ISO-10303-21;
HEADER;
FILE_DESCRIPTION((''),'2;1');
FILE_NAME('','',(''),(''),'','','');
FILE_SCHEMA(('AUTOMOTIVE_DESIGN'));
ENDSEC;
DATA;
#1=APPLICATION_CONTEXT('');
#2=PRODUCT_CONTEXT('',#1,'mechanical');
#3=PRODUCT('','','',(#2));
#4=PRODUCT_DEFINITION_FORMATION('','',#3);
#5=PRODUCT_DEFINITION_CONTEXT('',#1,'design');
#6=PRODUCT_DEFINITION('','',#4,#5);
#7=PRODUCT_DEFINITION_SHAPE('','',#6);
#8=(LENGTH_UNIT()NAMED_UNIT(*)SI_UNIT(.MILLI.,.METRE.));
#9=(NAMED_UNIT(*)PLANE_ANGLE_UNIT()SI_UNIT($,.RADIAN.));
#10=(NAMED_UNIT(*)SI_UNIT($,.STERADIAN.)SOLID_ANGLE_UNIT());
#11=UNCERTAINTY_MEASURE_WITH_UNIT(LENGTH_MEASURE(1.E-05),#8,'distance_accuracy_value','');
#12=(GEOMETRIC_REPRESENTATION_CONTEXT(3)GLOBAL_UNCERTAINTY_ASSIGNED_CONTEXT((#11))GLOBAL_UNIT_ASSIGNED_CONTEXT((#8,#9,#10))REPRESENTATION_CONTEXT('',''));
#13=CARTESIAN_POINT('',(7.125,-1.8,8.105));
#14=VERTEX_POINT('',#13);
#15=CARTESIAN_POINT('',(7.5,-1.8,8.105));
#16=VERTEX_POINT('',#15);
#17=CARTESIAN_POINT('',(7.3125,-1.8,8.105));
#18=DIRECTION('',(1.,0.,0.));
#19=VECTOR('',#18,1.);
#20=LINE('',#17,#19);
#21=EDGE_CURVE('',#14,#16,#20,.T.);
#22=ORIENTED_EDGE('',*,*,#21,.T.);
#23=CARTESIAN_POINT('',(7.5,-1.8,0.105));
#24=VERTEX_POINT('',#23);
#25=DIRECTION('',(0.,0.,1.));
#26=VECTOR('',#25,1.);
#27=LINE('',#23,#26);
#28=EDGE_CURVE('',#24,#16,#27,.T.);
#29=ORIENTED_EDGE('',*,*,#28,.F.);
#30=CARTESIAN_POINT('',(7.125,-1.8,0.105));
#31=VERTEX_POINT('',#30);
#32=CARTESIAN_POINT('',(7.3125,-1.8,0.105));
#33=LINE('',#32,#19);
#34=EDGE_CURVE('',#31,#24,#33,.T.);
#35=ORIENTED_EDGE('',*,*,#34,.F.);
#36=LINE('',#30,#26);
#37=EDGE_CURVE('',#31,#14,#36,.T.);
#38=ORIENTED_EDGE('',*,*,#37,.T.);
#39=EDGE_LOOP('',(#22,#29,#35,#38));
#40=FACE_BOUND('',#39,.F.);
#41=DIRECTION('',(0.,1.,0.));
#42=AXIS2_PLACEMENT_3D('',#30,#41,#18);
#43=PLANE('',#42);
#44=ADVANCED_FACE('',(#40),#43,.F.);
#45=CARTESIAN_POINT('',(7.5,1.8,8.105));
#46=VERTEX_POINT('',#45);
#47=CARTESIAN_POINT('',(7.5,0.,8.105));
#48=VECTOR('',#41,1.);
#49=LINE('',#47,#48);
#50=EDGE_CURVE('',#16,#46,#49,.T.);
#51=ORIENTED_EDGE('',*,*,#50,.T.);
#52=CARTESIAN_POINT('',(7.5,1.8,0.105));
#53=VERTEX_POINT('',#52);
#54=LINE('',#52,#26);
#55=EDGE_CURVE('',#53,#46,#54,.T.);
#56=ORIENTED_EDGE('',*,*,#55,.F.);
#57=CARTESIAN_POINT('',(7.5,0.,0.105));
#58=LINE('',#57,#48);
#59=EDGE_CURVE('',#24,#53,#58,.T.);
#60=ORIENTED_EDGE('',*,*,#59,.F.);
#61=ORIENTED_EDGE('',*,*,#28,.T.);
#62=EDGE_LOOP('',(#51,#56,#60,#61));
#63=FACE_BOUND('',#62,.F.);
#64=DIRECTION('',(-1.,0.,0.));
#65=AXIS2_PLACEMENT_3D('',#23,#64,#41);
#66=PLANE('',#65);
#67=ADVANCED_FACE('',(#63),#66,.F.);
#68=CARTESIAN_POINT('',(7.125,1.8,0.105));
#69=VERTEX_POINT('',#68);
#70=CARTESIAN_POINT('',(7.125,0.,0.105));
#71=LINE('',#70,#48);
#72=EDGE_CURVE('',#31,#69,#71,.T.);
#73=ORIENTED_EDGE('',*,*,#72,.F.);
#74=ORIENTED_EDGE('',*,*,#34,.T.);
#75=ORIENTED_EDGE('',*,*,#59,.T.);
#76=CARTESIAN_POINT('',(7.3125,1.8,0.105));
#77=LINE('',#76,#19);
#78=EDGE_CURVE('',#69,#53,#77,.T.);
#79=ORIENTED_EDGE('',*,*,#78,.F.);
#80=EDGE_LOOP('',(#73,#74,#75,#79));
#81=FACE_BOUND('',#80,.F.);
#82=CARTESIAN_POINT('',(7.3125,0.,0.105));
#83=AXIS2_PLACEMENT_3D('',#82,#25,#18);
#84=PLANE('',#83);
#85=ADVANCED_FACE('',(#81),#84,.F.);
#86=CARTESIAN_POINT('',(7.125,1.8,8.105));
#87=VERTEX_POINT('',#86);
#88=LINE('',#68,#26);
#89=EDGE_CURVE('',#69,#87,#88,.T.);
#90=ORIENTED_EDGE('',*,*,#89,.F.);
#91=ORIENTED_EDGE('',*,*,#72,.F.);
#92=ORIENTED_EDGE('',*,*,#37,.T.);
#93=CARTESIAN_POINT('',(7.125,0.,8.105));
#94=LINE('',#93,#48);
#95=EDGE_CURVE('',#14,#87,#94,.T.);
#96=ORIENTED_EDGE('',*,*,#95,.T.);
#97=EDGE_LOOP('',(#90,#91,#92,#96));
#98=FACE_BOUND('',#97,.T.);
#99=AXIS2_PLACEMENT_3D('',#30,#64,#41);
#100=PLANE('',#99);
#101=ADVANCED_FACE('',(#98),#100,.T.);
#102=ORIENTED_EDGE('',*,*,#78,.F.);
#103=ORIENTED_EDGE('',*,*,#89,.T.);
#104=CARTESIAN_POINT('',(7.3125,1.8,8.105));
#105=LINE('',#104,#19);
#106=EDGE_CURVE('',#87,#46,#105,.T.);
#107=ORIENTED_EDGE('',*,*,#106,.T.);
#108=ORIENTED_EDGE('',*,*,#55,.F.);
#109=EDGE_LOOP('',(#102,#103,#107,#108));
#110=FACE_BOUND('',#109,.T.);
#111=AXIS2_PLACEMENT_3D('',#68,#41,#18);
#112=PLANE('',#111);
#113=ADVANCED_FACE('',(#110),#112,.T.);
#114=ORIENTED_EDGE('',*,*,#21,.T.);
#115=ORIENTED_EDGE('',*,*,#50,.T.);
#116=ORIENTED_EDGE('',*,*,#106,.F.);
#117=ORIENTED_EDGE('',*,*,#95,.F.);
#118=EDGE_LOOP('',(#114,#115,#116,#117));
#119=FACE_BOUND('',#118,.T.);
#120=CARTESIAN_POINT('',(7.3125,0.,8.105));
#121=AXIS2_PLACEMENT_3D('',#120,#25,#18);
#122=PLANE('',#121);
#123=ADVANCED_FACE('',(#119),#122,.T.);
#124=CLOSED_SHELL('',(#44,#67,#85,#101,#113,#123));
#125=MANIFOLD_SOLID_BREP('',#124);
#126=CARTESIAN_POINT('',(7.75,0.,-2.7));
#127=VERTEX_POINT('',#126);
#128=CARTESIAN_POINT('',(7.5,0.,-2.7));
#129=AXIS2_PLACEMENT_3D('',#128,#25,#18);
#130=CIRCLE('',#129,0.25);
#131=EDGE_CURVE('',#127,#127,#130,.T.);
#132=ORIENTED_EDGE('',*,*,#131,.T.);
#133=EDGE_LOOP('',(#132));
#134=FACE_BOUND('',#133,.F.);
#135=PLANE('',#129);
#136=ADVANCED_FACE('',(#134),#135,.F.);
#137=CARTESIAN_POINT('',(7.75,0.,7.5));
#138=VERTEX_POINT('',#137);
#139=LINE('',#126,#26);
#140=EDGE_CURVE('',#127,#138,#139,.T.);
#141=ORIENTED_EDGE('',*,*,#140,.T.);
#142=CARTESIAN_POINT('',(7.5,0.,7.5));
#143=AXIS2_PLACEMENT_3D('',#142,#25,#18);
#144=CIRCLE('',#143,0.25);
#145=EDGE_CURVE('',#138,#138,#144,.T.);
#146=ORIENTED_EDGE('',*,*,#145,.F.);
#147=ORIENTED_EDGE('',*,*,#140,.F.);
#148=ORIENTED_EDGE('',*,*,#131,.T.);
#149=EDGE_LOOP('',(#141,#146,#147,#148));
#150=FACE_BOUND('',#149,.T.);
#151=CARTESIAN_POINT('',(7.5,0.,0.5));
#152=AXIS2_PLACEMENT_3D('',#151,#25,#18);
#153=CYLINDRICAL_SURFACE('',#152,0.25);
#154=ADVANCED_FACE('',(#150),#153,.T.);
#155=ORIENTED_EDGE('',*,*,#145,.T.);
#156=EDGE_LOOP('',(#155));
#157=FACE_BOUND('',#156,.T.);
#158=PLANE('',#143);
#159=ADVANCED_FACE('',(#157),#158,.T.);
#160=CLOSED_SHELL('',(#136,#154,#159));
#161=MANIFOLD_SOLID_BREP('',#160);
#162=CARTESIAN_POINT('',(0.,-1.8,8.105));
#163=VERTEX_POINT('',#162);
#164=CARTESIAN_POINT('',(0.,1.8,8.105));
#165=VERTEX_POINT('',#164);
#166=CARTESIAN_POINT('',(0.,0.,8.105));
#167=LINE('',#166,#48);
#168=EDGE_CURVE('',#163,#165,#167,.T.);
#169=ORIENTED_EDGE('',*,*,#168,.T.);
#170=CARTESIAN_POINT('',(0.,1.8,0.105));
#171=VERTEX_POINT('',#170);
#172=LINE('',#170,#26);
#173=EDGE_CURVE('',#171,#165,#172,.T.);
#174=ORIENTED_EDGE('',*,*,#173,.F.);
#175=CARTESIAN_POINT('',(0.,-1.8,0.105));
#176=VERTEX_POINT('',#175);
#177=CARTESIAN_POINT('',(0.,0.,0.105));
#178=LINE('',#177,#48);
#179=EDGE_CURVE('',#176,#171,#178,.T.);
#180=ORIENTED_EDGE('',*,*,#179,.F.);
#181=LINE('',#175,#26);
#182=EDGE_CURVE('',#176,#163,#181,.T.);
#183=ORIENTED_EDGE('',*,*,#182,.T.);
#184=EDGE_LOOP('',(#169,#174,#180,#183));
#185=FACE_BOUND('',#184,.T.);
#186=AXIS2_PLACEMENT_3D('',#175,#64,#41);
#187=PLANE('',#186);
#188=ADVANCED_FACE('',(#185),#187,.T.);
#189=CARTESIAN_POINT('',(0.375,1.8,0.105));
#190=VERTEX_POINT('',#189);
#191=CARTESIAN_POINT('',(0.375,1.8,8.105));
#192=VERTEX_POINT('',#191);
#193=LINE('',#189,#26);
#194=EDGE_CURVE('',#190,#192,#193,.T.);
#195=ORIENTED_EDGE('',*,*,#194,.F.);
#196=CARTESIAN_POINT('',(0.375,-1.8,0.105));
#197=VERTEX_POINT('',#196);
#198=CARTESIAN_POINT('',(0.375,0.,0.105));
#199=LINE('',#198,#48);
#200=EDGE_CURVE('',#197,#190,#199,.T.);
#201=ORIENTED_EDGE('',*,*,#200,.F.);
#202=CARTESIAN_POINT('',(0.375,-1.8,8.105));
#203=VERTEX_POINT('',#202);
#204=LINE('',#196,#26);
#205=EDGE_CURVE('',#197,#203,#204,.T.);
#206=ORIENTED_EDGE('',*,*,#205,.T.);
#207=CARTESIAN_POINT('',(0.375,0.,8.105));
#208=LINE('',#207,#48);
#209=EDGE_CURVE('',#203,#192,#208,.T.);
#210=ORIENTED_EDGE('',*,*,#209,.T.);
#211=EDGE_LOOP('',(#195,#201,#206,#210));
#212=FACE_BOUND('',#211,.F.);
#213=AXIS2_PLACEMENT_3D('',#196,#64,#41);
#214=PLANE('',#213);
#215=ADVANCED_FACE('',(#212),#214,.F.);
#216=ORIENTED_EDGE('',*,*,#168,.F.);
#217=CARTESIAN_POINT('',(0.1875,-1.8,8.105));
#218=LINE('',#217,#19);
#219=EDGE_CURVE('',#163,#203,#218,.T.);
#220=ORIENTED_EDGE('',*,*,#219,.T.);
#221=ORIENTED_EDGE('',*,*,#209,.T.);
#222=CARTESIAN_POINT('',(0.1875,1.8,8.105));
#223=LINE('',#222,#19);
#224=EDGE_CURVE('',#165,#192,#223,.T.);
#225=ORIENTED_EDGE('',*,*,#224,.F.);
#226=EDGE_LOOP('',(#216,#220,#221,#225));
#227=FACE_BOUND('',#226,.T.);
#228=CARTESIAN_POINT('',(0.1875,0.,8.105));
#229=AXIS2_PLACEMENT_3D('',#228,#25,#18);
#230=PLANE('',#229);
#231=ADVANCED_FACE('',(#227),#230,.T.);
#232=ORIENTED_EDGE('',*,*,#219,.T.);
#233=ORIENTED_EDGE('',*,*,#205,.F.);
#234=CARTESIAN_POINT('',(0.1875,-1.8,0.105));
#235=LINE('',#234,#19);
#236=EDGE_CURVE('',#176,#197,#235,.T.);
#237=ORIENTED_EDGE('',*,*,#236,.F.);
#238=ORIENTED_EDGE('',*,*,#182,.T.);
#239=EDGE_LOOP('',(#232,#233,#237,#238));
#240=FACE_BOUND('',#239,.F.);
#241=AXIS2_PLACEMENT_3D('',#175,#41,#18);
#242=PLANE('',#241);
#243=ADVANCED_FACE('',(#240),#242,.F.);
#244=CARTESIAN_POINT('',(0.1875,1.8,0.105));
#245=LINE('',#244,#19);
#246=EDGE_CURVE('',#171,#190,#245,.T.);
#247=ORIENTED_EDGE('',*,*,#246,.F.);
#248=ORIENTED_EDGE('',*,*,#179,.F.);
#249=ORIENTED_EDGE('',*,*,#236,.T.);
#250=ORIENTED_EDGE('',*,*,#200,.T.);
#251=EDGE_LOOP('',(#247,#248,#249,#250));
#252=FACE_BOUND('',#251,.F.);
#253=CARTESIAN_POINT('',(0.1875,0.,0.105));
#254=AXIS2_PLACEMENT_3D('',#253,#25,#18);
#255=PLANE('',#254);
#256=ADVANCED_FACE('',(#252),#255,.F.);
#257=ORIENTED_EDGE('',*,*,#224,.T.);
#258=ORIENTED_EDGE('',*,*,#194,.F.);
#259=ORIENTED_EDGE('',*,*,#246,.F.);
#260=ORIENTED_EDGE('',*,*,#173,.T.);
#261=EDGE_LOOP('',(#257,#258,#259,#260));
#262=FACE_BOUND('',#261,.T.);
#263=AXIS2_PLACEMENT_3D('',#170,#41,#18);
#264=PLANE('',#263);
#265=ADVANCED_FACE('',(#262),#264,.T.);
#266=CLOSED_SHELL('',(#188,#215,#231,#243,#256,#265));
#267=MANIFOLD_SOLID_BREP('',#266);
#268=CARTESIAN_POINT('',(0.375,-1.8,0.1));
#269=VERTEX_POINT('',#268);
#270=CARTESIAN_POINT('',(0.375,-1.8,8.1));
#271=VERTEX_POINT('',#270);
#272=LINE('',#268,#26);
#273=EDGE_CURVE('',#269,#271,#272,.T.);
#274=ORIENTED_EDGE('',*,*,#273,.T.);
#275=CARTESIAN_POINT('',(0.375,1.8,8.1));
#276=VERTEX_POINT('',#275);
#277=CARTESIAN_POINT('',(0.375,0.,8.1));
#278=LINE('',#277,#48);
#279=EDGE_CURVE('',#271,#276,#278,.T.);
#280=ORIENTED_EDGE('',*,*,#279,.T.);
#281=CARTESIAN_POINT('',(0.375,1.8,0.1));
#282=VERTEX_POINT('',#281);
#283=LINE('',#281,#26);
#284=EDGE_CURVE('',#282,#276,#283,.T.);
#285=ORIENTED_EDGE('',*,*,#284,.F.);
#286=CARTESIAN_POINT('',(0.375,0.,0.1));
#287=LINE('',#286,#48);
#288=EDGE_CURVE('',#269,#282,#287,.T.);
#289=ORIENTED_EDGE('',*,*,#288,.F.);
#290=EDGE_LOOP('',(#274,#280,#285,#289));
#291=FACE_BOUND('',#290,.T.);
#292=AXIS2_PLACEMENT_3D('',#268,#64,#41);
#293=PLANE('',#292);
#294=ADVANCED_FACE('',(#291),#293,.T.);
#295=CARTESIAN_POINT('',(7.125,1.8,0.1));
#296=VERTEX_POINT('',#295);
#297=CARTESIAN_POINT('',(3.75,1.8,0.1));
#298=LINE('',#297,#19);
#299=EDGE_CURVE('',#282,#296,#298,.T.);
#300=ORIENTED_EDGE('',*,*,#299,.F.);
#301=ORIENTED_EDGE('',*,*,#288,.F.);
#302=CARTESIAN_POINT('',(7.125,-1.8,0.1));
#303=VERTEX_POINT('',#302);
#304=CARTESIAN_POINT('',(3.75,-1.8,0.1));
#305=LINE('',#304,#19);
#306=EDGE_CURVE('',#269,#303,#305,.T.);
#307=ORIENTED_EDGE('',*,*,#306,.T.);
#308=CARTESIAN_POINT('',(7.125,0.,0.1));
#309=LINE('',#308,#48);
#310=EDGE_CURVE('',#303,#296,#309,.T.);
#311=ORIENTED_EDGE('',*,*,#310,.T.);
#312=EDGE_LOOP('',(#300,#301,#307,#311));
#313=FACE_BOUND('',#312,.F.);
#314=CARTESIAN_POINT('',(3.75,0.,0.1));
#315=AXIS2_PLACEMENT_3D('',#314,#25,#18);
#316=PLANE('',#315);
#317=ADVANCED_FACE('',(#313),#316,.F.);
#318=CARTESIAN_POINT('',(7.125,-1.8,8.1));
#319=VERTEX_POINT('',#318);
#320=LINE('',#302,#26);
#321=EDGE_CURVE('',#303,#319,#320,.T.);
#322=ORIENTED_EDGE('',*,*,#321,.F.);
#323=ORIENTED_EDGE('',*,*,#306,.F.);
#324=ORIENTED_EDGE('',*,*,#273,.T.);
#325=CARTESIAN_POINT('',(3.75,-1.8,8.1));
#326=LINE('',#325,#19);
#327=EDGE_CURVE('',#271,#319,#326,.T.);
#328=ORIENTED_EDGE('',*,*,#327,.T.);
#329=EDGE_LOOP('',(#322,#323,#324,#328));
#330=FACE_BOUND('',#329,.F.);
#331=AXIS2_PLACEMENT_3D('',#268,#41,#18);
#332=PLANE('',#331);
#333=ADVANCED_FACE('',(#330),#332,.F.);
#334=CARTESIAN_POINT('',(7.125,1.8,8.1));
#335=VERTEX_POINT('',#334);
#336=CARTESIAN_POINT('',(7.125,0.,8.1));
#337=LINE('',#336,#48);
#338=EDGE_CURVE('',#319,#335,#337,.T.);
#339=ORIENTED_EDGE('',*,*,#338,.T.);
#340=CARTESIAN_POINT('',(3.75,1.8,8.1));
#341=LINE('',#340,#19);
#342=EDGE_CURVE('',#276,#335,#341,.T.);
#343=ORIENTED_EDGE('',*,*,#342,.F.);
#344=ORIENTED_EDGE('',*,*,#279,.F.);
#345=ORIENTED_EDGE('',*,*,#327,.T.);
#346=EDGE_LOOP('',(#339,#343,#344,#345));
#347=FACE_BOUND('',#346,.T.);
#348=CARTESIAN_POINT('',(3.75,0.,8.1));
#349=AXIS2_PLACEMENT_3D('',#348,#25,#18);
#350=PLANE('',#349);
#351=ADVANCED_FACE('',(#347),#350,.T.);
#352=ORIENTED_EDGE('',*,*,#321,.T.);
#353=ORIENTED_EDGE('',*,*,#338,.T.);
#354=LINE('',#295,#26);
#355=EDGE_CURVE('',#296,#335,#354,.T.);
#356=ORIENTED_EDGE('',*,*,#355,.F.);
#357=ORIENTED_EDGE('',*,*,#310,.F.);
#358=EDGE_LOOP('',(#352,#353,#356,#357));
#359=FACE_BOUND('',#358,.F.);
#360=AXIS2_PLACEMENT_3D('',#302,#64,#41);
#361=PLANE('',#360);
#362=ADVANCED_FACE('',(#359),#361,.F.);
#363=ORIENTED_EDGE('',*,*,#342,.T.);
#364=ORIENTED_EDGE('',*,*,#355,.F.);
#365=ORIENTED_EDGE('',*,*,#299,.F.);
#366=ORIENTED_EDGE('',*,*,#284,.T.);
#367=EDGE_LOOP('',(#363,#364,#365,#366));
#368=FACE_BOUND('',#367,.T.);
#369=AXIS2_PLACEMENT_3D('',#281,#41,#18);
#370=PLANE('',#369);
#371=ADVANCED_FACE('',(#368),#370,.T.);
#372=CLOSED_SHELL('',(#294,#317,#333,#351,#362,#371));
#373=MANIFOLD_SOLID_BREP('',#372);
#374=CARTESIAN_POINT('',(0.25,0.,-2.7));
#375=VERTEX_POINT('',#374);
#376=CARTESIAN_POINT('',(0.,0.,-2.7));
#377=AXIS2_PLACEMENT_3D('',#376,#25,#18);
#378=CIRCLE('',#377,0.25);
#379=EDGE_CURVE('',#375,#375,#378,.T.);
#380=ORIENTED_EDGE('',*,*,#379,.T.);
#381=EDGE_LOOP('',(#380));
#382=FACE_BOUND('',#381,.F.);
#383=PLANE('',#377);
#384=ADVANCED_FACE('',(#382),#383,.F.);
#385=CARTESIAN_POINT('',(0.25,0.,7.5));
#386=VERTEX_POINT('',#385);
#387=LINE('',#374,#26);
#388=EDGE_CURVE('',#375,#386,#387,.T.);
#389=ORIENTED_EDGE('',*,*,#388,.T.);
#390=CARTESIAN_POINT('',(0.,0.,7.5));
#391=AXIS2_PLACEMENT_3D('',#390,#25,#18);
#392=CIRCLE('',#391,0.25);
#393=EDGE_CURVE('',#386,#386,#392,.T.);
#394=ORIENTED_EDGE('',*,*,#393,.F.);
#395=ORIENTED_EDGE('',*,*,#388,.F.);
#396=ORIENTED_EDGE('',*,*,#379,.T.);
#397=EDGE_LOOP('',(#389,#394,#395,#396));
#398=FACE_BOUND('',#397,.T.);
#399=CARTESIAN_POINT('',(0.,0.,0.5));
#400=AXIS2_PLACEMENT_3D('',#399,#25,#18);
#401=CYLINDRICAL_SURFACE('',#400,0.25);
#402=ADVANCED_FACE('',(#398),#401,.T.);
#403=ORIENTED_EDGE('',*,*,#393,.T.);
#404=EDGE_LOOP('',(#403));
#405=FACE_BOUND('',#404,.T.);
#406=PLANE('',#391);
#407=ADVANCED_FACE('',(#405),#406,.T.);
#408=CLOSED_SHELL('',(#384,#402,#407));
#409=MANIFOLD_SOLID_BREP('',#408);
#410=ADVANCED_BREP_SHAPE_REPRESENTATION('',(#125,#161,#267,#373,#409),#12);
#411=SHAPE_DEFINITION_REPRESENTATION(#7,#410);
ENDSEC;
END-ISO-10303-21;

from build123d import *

# Parameters (mm, degrees)
SKETCH_W          = 6.75
SKETCH_H          = 3.6
PAD_DEPTH         = 8
SKETCH001_R       = 0.25
PAD001_DEPTH      = 7
PAD001_DEPTH_BACK = 3.2
SKETCH002_W       = 0.375
SKETCH002_H       = 3.6
PAD002_DEPTH      = 8


with BuildPart() as pad:
    # Sketch → Pad (new body)
    with BuildSketch(Plane.XY.offset(0.1)):
        with Locations((3.75, 0)):
            Rectangle(SKETCH_W, SKETCH_H)
    extrude(amount=PAD_DEPTH)


with BuildPart() as pad001:
    # Sketch001 → Pad001 (new body, two sides)
    with BuildSketch(Plane.XY.offset(0.5)) as pad001_sk:
        Circle(SKETCH001_R)
        with Locations((7.5, 0)):
            Circle(SKETCH001_R)
    extrude(amount=PAD001_DEPTH)
    extrude(pad001_sk.sketch, amount=-PAD001_DEPTH_BACK)


with BuildPart() as pad002:
    # Sketch002 → Pad002 (new body)
    with BuildSketch(Plane.XY.offset(0.105)):
        with Locations((0.1875, 0)):
            Rectangle(SKETCH002_W, SKETCH002_H)
        with Locations((7.3125, 0)):
            Rectangle(SKETCH002_W, SKETCH002_H)
    extrude(amount=PAD002_DEPTH)


solid = Compound([pad.part, pad001.part, pad002.part])
